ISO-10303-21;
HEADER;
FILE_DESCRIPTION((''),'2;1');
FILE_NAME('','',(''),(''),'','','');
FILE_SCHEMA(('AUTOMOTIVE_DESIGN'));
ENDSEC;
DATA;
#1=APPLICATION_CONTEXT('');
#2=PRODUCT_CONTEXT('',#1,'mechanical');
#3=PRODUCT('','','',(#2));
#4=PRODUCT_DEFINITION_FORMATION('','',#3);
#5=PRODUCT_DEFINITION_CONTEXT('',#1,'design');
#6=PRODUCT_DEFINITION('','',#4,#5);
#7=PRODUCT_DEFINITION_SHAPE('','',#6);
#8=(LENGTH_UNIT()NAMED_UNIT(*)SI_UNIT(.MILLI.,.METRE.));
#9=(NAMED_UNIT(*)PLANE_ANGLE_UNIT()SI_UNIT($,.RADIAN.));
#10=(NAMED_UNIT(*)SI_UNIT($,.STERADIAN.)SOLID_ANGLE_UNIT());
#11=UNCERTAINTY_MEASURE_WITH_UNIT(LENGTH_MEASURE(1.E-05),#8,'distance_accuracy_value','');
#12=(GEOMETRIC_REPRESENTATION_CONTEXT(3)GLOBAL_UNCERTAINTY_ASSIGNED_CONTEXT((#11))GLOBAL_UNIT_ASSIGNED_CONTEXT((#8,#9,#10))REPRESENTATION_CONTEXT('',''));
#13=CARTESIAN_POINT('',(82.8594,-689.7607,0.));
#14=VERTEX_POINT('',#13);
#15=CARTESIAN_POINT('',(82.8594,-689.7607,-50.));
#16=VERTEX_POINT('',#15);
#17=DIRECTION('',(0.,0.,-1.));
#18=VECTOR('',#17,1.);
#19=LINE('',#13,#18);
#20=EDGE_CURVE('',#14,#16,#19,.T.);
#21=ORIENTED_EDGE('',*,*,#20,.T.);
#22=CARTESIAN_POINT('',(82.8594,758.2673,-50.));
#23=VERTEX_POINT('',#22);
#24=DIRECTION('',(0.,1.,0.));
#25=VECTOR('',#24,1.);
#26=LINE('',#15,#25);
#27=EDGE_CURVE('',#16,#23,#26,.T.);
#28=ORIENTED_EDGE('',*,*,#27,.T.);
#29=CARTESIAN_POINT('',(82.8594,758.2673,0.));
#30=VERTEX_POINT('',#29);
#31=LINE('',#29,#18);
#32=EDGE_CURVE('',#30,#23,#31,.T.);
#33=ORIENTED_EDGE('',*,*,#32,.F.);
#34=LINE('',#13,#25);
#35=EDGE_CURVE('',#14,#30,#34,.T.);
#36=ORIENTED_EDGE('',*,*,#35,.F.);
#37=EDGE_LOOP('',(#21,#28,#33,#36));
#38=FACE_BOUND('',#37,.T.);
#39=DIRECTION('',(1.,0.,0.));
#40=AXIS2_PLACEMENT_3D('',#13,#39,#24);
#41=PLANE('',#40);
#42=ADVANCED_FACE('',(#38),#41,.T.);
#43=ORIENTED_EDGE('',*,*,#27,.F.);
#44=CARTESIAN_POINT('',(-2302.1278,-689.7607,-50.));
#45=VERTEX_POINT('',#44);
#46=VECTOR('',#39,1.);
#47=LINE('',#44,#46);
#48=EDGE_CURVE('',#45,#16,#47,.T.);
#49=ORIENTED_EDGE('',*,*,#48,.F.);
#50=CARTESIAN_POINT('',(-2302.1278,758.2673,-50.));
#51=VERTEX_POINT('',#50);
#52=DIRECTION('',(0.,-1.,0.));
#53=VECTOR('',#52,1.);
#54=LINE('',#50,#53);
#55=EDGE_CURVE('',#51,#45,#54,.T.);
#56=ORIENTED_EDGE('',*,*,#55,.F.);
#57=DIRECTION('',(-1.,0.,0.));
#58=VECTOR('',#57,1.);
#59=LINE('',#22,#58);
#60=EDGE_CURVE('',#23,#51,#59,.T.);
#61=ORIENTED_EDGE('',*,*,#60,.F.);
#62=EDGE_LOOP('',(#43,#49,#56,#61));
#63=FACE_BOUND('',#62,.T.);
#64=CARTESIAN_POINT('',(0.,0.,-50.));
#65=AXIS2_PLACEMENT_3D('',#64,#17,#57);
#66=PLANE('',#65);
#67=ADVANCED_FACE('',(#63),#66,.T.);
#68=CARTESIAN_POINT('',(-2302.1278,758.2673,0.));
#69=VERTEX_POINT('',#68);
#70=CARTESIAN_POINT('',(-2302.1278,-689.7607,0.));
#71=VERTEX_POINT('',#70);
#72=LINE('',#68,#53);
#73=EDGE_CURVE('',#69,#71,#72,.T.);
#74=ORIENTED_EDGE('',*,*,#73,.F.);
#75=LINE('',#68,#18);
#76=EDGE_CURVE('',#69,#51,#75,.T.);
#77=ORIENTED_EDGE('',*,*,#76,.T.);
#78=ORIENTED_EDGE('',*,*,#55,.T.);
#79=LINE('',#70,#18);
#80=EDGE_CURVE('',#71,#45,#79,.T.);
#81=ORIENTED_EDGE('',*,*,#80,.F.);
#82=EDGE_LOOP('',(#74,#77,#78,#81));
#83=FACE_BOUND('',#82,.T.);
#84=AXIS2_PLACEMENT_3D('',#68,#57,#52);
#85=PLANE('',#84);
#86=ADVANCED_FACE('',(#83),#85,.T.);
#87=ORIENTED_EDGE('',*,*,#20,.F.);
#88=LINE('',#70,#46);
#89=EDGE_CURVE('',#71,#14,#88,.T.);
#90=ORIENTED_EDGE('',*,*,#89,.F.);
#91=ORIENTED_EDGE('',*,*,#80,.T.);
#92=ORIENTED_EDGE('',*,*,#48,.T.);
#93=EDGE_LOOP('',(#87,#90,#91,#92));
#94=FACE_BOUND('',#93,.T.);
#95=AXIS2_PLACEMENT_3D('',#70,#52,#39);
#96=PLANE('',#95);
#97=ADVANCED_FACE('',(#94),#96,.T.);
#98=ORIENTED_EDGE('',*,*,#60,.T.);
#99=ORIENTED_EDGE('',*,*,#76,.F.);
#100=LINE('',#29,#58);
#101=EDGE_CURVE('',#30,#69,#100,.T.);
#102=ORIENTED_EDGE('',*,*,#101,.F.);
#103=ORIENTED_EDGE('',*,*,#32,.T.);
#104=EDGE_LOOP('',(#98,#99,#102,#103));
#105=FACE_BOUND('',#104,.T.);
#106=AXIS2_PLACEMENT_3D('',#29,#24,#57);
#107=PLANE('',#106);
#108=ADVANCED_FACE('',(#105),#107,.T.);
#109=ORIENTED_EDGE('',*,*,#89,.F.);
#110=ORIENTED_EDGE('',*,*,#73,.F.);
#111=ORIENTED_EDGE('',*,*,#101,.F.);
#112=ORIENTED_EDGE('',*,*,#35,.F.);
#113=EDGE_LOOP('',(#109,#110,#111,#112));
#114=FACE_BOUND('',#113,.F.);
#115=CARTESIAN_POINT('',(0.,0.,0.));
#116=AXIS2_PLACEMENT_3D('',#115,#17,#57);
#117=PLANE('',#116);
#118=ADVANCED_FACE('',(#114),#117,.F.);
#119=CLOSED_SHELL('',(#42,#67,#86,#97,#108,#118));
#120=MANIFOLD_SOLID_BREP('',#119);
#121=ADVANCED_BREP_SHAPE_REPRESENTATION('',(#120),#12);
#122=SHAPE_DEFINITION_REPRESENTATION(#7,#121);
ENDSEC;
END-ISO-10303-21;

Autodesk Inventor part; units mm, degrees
ref_plane "YZ Plane" through (0, 0, 0) normal (1, 0, 0) x (0, 1, 0)
ref_plane "XZ Plane" through (0, 0, 0) normal (0, 1, 0) x (-1, 0, 0)
ref_plane "XY Plane" through (0, 0, 0) normal (0, 0, 1) x (1, 0, 0)
ref_plane "Work Plane1" through (0, 0, 0) normal (0, 0, -1) x (-1, 0, 0)
sketch "Sketch1" plane through (0, 0, 0) normal (0, 0, -1) x (-1, 0, 0)
  line L0 (-82.8594, 758.2673) -> (2302.1278, 758.2673)
  line L1 (2302.1278, 758.2673) -> (2302.1278, -689.7607)
  line L2 (2302.1278, -689.7607) -> (-82.8594, -689.7607)
  line L3 (-82.8594, -689.7607) -> (-82.8594, 758.2673)
  point P0 (0, 0)
extrude "Extrusion1" add sketch "Sketch1" along normal blind 50
properties part number "Desk"
